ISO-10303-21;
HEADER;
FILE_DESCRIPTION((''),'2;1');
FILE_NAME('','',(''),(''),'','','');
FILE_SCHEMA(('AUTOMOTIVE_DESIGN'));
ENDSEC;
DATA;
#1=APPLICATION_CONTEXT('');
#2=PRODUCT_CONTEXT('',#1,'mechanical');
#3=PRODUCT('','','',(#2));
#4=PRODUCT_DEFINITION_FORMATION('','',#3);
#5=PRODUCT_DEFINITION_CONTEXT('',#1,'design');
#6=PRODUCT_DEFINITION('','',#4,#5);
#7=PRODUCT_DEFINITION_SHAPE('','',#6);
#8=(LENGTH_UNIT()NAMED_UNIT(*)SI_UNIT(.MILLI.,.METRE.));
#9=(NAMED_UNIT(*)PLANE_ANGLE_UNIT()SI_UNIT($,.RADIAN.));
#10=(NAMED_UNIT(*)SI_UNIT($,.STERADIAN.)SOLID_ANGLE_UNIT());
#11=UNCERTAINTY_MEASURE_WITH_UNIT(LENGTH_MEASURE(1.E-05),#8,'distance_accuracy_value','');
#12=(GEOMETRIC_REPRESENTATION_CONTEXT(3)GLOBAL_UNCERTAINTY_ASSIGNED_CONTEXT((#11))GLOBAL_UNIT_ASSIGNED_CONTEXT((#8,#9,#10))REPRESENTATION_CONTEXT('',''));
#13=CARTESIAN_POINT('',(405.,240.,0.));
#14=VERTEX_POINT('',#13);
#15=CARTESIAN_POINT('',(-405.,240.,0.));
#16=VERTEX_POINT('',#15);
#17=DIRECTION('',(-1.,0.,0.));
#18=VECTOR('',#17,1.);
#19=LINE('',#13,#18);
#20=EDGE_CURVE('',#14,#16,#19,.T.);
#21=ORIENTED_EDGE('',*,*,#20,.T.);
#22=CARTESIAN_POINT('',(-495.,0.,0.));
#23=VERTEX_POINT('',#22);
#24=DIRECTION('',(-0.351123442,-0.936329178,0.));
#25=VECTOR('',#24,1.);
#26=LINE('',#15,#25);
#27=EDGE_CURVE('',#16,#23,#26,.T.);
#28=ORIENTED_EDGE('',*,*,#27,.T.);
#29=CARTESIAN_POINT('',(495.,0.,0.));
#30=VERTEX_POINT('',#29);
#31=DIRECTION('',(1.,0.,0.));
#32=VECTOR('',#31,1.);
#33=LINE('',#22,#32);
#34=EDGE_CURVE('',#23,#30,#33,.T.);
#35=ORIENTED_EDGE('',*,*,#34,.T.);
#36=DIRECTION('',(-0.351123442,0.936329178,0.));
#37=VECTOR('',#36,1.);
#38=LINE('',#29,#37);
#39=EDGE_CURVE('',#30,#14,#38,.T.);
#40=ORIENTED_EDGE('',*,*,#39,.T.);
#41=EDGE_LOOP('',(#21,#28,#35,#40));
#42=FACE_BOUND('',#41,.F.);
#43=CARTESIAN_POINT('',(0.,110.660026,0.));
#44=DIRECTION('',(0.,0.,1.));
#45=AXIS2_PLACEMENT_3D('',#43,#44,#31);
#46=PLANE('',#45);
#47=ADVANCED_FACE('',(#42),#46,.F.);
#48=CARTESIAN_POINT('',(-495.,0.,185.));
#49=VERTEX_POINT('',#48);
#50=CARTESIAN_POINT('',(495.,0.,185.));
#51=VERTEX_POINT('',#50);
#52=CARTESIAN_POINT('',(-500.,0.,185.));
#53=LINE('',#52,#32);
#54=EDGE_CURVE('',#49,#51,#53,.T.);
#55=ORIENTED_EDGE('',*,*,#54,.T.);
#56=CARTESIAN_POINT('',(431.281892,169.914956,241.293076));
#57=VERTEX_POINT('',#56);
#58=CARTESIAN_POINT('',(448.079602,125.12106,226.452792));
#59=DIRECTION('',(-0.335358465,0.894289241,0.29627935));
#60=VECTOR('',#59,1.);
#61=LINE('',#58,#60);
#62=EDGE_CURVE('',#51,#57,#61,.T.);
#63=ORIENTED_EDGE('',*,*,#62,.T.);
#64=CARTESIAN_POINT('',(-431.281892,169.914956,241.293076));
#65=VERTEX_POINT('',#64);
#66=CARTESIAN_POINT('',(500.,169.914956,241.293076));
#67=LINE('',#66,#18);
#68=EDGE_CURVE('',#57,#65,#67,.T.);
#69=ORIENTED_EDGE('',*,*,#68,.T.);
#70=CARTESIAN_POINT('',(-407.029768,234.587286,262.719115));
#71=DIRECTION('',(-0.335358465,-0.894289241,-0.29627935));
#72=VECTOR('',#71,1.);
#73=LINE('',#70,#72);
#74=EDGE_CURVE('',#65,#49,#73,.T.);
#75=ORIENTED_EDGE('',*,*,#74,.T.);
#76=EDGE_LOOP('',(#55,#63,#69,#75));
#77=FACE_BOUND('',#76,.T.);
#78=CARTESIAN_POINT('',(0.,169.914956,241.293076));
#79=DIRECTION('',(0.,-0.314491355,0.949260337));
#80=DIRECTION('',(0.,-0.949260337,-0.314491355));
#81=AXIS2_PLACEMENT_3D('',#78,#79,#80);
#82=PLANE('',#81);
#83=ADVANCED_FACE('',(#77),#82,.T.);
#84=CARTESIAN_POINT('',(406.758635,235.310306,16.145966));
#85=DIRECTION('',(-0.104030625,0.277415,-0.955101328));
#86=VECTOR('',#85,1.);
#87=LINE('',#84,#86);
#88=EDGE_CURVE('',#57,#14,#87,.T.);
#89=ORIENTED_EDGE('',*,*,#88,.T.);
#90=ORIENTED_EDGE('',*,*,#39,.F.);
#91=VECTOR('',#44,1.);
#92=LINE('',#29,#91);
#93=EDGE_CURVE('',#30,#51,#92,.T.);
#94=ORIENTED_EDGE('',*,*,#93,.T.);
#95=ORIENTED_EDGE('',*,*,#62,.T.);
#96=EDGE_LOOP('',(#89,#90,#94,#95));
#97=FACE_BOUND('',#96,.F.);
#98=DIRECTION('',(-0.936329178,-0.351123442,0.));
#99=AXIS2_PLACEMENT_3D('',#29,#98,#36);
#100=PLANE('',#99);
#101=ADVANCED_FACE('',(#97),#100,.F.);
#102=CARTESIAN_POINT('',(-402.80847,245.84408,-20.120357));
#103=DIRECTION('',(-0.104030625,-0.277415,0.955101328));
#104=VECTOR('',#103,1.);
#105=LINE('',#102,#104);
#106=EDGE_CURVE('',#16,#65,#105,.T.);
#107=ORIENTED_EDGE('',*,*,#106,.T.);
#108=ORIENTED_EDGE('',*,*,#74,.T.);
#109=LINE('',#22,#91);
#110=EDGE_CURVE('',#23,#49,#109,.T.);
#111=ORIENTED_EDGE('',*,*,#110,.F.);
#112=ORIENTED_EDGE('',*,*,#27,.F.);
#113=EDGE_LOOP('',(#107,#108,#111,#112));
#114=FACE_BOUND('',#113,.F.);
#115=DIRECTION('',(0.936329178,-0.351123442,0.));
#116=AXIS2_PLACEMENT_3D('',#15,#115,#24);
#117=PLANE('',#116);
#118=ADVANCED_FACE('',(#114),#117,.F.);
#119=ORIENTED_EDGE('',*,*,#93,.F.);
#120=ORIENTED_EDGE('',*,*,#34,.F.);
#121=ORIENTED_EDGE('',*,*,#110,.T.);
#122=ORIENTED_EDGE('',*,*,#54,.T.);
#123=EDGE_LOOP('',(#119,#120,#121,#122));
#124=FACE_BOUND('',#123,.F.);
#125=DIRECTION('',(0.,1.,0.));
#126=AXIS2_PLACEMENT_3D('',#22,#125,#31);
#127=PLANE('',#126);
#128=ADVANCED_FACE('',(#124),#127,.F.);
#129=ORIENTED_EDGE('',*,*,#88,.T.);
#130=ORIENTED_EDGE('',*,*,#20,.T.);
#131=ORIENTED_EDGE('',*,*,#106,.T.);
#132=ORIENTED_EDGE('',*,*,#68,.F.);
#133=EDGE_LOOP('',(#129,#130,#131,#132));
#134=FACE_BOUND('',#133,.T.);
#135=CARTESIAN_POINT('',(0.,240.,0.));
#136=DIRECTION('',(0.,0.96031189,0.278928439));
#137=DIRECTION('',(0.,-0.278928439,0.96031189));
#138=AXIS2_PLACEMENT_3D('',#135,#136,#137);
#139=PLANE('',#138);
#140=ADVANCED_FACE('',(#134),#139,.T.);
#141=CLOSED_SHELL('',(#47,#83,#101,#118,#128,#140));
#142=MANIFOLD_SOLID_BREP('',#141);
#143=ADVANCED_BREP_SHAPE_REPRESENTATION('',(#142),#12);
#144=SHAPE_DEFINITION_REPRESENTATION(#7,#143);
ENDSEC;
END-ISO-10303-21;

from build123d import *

# Parameters (mm, degrees)
F1_DEPTH = 270
F4_DEPTH = 500


with BuildPart() as f1:
    # F0 (on Top) → F1 (new body)
    with BuildSketch(Plane.XY):
        Polygon((-405, 240), (-495, 0), (495, 0), (405, 240), align=None)
    extrude(amount=F1_DEPTH)

    # F3 (on Right) → F4 (intersect, symmetric)
    with BuildSketch(Plane.YZ):
        Polygon((169.9149557887, 241.2930764712), (0, 185), (0, 0), (240, 0), align=None)
    extrude(amount=F4_DEPTH, both=True, mode=Mode.INTERSECT)


solid = f1.part
